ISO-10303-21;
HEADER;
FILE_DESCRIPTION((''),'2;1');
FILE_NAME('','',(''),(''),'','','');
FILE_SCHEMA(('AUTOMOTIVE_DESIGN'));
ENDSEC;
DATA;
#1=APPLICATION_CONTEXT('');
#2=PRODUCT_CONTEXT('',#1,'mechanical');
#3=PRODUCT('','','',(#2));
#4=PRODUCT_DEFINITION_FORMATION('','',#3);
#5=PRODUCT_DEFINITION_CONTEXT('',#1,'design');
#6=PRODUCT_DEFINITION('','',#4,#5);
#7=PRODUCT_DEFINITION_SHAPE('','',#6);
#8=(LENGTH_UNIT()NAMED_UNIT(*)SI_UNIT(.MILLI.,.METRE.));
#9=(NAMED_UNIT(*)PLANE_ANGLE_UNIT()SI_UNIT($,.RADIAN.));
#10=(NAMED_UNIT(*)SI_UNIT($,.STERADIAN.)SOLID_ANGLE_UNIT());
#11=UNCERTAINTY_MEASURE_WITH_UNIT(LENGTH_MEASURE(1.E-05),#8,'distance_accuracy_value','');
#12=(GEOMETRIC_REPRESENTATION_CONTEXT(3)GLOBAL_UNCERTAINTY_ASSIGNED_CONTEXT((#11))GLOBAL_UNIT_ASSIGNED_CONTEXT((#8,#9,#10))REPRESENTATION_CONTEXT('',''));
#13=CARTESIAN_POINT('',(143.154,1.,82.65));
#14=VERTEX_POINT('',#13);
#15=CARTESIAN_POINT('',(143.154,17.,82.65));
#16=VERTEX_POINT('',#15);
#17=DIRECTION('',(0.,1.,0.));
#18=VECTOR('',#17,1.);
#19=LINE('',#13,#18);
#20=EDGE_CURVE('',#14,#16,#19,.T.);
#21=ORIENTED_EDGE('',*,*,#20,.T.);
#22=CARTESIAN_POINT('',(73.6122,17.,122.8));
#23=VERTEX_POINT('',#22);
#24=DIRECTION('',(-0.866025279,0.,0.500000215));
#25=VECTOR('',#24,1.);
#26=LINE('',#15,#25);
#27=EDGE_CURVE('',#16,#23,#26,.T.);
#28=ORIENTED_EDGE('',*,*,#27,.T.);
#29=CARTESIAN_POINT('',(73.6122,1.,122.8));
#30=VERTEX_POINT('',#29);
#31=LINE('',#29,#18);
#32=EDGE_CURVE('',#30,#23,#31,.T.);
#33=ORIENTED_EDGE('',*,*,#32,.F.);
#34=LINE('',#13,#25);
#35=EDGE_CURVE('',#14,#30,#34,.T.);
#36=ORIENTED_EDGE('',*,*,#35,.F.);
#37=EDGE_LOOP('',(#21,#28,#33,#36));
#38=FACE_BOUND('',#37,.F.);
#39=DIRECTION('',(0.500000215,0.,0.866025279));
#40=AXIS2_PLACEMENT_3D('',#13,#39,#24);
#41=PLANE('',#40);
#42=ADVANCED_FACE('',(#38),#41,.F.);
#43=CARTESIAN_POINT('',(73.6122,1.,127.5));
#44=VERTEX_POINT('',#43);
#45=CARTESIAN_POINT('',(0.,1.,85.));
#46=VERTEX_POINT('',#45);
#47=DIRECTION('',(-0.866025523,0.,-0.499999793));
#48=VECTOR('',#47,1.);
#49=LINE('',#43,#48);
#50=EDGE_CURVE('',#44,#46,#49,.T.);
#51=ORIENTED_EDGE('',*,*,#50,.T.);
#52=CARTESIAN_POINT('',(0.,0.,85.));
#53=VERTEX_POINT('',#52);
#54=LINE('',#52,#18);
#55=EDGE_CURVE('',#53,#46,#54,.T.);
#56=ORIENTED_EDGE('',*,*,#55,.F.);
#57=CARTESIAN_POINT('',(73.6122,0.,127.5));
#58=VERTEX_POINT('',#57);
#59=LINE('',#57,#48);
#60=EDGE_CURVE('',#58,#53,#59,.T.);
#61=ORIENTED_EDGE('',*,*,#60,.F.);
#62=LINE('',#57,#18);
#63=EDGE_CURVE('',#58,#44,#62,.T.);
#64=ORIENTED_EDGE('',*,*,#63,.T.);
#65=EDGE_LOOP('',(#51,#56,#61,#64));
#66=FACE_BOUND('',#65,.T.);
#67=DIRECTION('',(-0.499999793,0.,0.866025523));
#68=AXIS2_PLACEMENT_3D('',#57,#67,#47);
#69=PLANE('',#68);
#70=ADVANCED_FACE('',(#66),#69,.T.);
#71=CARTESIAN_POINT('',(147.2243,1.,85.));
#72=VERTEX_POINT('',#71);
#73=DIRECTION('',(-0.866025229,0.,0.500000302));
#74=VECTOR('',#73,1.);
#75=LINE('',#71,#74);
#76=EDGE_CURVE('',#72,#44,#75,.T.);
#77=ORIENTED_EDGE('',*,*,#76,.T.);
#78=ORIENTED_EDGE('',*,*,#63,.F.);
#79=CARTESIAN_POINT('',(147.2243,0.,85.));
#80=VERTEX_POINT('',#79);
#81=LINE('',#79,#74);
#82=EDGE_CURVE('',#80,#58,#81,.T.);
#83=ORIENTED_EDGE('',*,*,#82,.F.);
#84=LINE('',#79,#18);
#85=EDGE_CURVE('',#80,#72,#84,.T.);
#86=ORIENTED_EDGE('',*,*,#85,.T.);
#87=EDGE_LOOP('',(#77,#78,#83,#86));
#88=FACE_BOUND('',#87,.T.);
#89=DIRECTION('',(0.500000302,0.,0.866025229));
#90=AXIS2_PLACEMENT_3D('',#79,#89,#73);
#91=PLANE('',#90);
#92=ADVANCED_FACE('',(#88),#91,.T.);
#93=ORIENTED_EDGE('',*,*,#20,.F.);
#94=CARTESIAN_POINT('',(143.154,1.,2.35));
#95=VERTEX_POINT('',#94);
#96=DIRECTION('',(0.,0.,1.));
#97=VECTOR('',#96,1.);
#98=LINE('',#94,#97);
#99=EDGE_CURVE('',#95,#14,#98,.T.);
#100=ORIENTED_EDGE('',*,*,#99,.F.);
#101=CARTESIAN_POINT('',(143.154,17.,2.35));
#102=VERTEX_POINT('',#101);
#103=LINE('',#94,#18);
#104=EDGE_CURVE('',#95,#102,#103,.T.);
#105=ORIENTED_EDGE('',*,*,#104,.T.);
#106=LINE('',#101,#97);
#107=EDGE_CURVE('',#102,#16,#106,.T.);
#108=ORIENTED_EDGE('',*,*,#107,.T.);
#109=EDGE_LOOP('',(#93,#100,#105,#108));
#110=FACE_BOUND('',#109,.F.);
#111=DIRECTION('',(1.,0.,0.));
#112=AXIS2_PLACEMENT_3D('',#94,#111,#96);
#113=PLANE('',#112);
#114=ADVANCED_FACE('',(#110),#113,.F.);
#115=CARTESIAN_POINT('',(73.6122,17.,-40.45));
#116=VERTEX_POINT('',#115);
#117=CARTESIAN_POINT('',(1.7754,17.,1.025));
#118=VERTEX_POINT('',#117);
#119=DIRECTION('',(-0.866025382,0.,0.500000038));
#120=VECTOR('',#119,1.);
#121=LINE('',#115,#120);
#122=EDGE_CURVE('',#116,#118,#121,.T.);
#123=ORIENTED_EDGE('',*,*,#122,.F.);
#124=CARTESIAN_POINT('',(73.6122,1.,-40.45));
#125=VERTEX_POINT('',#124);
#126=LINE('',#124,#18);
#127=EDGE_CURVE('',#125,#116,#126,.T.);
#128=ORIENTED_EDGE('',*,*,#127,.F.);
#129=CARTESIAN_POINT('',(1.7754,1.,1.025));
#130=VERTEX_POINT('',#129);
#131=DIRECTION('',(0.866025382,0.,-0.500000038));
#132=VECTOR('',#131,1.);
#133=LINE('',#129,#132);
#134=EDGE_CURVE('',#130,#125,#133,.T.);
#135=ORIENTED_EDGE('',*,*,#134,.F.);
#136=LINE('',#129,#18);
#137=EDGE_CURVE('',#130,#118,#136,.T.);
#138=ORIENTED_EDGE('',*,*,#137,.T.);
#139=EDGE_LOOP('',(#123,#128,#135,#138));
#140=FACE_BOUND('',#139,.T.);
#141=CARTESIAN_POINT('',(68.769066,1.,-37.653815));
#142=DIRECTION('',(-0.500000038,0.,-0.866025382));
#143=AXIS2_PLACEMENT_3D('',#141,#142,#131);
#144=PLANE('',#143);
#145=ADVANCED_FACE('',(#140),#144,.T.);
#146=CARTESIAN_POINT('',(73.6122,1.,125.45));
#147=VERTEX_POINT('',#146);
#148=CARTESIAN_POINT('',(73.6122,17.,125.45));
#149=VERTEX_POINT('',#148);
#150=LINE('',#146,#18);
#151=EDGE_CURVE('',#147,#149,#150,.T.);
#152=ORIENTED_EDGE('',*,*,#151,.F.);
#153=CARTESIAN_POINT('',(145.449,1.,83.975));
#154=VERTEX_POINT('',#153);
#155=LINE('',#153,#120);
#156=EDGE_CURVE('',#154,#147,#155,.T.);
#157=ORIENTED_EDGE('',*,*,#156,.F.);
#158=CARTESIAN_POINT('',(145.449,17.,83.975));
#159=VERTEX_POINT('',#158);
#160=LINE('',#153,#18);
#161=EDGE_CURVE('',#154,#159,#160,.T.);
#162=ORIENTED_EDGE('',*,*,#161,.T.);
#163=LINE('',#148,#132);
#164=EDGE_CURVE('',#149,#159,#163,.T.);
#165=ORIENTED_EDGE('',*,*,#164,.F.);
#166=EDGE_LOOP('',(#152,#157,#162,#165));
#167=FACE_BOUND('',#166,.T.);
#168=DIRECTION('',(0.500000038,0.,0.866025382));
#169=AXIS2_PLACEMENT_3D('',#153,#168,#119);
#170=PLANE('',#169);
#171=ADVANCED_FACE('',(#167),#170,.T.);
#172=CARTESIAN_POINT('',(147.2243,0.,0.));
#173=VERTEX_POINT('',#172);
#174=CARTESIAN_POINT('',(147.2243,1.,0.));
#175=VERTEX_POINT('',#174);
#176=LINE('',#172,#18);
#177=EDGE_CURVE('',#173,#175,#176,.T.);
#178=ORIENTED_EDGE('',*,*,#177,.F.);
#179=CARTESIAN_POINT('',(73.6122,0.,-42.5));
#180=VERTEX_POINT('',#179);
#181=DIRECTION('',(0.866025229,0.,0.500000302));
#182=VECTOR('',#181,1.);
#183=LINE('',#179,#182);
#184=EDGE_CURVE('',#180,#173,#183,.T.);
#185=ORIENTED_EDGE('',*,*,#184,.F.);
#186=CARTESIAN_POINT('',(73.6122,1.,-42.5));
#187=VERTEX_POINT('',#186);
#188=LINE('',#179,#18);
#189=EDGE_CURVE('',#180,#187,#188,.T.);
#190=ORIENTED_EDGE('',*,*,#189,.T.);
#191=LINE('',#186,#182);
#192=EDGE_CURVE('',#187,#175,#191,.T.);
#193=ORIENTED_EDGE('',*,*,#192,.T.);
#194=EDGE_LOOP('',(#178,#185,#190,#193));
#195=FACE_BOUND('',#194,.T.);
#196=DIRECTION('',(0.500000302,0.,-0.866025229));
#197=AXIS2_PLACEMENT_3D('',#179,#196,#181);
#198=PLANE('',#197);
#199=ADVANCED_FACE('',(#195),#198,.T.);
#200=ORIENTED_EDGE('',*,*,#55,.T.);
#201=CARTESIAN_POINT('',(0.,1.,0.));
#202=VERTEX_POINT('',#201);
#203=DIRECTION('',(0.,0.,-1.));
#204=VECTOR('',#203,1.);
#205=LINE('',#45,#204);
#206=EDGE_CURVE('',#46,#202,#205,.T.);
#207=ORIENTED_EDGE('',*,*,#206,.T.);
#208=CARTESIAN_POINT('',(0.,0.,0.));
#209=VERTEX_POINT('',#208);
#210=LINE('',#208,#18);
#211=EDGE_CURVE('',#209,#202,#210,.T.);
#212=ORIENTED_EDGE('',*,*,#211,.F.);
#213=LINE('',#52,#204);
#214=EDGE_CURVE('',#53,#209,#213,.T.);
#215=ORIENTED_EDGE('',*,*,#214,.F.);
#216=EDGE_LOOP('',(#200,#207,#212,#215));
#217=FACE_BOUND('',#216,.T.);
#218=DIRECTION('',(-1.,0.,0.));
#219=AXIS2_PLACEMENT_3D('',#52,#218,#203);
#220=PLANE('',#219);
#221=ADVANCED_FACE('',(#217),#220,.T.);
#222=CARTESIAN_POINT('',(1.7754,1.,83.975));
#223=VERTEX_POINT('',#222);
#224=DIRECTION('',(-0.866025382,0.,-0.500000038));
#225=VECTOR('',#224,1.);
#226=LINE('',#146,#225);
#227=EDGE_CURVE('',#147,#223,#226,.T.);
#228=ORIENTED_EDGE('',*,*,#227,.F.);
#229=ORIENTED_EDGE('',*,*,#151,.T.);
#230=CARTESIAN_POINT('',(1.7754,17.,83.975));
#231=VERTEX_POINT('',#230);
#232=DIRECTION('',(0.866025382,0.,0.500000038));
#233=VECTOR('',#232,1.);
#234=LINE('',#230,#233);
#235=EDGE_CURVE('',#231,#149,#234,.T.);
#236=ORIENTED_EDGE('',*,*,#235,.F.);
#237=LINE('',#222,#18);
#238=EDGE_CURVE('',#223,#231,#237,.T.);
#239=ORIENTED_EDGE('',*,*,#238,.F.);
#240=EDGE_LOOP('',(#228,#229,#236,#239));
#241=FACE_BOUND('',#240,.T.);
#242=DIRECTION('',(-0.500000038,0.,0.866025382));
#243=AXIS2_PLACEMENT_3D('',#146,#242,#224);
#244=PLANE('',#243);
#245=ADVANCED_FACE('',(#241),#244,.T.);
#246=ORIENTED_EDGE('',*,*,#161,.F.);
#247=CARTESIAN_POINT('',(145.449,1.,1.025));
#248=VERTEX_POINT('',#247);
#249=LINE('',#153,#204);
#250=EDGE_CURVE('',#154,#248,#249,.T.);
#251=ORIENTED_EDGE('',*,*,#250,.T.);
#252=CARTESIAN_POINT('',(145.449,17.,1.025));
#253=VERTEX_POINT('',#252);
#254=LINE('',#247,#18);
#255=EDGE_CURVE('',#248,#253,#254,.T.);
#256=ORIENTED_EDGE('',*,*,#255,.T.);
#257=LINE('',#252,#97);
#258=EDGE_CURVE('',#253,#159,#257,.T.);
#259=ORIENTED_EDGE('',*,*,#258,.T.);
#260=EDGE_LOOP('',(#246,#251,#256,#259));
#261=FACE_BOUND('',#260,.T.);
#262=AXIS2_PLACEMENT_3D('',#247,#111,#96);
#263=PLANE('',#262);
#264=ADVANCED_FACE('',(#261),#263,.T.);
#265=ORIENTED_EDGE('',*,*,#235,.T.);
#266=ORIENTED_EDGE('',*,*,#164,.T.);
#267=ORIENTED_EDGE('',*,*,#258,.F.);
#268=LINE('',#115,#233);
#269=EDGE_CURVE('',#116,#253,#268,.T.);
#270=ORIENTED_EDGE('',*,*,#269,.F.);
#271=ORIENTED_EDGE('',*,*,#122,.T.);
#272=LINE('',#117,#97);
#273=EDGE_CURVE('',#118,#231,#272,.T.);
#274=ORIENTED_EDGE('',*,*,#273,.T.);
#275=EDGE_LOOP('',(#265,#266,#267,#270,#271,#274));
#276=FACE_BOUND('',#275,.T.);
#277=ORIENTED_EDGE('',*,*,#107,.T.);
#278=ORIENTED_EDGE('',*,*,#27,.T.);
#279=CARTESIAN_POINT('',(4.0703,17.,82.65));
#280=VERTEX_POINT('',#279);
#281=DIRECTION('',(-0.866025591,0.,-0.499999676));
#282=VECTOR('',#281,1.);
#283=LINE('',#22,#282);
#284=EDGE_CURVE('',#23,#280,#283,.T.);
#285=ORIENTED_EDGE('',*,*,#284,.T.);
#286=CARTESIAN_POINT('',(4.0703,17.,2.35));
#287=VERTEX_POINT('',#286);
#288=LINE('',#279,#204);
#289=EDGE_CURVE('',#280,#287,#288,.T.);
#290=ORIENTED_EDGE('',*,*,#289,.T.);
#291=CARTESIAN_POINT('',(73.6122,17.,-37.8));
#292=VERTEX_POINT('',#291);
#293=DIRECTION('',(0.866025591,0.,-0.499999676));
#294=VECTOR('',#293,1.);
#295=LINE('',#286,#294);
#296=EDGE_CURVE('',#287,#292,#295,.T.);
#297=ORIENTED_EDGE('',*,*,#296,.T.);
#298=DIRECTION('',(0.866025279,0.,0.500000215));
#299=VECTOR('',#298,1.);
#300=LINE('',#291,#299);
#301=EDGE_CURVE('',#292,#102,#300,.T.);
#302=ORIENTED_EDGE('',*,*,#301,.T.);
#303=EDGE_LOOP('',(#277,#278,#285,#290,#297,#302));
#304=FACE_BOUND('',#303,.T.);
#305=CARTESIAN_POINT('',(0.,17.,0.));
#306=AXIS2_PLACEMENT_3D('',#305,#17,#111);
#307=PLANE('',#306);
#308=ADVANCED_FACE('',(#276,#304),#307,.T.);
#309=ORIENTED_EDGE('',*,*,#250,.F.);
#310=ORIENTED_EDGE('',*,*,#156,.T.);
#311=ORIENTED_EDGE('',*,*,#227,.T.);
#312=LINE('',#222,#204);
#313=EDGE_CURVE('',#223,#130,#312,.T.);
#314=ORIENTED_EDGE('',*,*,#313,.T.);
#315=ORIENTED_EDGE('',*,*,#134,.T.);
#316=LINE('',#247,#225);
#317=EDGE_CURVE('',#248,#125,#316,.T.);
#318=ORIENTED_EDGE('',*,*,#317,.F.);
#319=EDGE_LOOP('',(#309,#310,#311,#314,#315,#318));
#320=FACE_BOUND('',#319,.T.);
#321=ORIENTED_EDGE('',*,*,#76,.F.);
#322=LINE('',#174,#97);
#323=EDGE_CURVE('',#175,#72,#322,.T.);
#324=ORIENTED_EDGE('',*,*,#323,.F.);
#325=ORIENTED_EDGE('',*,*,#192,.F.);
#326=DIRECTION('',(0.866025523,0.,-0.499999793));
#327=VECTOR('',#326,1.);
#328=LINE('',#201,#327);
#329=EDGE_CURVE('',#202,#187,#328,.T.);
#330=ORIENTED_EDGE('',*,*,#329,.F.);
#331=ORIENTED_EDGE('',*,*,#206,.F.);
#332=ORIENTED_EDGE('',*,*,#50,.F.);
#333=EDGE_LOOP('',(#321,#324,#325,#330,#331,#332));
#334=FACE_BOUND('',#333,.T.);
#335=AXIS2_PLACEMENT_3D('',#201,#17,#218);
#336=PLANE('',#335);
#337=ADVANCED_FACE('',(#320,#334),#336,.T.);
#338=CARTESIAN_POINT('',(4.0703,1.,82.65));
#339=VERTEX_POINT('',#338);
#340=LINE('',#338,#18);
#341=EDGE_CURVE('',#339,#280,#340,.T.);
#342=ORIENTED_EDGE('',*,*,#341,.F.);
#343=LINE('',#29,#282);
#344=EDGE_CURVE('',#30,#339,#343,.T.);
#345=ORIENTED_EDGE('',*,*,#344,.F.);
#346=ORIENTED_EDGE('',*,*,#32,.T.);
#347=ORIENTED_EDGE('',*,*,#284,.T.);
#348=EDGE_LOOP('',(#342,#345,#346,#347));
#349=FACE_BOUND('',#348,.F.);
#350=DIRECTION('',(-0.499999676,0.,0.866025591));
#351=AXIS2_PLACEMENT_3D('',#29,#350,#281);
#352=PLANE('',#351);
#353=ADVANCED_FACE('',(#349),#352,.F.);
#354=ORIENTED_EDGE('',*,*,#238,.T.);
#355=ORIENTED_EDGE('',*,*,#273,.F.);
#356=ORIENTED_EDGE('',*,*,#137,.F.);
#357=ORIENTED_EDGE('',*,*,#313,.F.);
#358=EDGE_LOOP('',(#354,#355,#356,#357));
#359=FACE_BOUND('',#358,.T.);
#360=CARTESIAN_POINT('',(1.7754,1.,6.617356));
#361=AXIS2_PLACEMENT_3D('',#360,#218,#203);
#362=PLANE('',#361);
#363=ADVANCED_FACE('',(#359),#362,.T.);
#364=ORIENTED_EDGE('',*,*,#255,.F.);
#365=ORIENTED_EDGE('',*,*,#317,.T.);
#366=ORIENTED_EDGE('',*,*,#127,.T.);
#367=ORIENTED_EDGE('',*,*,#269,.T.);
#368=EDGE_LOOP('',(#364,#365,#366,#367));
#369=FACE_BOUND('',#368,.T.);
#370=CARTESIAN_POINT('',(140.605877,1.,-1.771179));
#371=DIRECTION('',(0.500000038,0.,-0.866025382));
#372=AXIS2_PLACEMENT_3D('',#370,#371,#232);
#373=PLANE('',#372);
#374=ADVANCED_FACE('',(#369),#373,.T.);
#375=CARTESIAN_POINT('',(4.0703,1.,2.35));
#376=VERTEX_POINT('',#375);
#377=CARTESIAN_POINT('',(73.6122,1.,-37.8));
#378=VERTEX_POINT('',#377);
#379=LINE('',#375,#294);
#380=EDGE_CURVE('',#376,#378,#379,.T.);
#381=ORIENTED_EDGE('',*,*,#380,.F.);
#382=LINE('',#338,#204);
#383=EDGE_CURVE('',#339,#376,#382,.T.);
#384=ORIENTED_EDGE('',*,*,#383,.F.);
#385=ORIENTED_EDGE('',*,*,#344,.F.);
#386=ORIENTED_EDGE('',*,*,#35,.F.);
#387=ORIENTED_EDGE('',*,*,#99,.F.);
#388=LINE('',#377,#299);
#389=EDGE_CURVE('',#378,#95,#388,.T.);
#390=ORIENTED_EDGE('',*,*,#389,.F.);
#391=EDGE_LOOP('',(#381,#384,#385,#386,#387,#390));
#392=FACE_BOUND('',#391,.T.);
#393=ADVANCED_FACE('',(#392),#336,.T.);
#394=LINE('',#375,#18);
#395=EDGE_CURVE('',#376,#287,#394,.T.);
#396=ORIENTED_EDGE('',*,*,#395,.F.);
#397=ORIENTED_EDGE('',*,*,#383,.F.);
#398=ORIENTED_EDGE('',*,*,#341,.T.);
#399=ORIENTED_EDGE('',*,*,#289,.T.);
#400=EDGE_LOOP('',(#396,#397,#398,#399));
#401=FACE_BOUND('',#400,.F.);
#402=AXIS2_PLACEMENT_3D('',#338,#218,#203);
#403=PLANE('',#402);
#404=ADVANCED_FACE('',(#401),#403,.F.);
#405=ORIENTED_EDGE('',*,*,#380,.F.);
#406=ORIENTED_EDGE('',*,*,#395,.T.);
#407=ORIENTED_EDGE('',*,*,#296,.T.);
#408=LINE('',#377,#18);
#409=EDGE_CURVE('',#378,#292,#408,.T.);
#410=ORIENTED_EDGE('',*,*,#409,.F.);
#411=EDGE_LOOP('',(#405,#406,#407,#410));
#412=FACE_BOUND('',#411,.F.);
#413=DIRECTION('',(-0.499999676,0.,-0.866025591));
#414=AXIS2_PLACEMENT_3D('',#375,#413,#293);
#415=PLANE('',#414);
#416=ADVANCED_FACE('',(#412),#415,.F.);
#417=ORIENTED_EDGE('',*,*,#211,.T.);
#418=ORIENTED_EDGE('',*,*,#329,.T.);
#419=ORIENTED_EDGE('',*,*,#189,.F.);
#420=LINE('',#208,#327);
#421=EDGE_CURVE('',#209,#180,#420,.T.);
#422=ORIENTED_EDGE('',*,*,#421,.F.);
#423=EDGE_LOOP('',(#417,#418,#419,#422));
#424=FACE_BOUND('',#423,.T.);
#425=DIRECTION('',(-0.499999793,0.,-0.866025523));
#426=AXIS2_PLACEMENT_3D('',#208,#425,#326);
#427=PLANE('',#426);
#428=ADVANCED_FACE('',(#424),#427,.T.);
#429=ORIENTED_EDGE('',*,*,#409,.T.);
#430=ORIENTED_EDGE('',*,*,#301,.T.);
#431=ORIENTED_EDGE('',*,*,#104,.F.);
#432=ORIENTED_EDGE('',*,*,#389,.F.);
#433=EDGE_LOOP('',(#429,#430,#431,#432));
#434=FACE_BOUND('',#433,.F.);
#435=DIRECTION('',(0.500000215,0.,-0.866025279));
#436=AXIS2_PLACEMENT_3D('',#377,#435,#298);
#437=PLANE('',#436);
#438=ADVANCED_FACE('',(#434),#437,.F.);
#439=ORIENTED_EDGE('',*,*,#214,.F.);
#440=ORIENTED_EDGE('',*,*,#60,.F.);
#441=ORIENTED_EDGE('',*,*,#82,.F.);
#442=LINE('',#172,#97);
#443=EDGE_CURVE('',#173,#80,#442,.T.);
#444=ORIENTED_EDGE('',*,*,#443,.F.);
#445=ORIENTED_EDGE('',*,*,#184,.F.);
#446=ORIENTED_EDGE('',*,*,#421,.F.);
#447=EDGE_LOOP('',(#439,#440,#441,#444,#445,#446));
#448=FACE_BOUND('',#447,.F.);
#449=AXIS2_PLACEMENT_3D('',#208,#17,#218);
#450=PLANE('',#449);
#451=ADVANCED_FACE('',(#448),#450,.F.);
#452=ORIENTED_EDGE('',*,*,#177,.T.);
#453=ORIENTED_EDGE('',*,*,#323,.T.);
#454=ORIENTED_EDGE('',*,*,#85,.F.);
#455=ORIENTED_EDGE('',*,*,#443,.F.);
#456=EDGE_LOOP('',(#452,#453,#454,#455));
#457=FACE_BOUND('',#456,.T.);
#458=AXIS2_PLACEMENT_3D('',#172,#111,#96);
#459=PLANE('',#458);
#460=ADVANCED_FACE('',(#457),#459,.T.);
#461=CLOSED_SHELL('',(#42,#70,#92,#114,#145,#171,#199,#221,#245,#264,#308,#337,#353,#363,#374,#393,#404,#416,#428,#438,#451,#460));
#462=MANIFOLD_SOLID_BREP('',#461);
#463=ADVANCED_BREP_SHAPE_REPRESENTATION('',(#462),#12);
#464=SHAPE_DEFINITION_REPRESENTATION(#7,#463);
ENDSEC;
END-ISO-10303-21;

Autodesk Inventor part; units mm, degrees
ref_plane "YZ Plane" through (0, 0, 0) normal (1, 0, 0) x (0, 1, 0)
ref_plane "XZ Plane" through (0, 0, 0) normal (0, 1, 0) x (-1, 0, 0)
ref_plane "XY Plane" through (0, 0, 0) normal (0, 0, 1) x (1, 0, 0)
sketch "Boceto2" plane through (0, 0, 0) normal (0, 1, 0) x (-1, 0, 0)
  line L0 (-73.6122, -42.5) -> (-73.6122, 127.5)
  line L1 (-73.6122, -42.5) -> (-147.2243, 0)
  line L2 (-147.2243, 0) -> (-147.2243, 85)
  line L3 (-147.2243, 85) -> (-73.6122, 127.5)
  line L4 (-73.6122, 127.5) -> (0, 85)
  line L5 (0, 85) -> (0, 0)
  line L6 (0, 0) -> (-73.6122, -42.5)
  point P0 (0, 0)
  point P1 (-60, 40)
  point P2 (-73.6122, 42.5)
  dimension "d1" = 170
extrude "Extrusión1" add sketch "Boceto2" along normal blind 1
sketch "Boceto3" plane through (0, 1, 0) normal (0, 1, 0) x (1, 0, 0)
  line L0 (147.2243, 0) -> (73.6122, 42.5) projected
  line L1 (73.6122, 42.5) -> (73.6122, -127.5)
  circle A0 centre (73.6122, -42.5) radius 82.95
  circle A1 centre (73.6122, -42.5) radius 80.3
  line L2 (73.6122, 40.45) -> (145.449, -1.025)
  line L3 (145.449, -1.025) -> (145.449, -83.975)
  line L4 (145.449, -83.975) -> (73.6122, -125.45)
  line L5 (73.6122, -125.45) -> (1.7754, -83.975)
  line L6 (1.7754, -83.975) -> (1.7754, -1.025)
  line L7 (1.7754, -1.025) -> (73.6122, 40.45)
  line L8 (73.6122, 37.8) -> (143.154, -2.35)
  line L9 (143.154, -2.35) -> (143.154, -82.65)
  line L10 (143.154, -82.65) -> (73.6122, -122.8)
  line L11 (73.6122, -122.8) -> (4.0703, -82.65)
  line L12 (4.0703, -82.65) -> (4.0703, -2.35)
  line L13 (4.0703, -2.35) -> (73.6122, 37.8)
  point P0 (0, 0)
  dimension "d4" = 165.9
  dimension "d5" = 160.6
extrude "Extrusión2" add sketch "Boceto3" along normal blind 16 contours L3 A1 L2 | A1 L8 L2 | L3 A1 L9 | L2 A1 L1 | L1 A1 L7 | L4 A1 L3 | L13 A1 L7 | L7 A1 L6 | A1 L4 L10 | L5 A1 L1 | L1 A1 L4 | A1 L5 L11 | L12 A1 L6 | L6 A1 L5
properties part number "Screen2"
